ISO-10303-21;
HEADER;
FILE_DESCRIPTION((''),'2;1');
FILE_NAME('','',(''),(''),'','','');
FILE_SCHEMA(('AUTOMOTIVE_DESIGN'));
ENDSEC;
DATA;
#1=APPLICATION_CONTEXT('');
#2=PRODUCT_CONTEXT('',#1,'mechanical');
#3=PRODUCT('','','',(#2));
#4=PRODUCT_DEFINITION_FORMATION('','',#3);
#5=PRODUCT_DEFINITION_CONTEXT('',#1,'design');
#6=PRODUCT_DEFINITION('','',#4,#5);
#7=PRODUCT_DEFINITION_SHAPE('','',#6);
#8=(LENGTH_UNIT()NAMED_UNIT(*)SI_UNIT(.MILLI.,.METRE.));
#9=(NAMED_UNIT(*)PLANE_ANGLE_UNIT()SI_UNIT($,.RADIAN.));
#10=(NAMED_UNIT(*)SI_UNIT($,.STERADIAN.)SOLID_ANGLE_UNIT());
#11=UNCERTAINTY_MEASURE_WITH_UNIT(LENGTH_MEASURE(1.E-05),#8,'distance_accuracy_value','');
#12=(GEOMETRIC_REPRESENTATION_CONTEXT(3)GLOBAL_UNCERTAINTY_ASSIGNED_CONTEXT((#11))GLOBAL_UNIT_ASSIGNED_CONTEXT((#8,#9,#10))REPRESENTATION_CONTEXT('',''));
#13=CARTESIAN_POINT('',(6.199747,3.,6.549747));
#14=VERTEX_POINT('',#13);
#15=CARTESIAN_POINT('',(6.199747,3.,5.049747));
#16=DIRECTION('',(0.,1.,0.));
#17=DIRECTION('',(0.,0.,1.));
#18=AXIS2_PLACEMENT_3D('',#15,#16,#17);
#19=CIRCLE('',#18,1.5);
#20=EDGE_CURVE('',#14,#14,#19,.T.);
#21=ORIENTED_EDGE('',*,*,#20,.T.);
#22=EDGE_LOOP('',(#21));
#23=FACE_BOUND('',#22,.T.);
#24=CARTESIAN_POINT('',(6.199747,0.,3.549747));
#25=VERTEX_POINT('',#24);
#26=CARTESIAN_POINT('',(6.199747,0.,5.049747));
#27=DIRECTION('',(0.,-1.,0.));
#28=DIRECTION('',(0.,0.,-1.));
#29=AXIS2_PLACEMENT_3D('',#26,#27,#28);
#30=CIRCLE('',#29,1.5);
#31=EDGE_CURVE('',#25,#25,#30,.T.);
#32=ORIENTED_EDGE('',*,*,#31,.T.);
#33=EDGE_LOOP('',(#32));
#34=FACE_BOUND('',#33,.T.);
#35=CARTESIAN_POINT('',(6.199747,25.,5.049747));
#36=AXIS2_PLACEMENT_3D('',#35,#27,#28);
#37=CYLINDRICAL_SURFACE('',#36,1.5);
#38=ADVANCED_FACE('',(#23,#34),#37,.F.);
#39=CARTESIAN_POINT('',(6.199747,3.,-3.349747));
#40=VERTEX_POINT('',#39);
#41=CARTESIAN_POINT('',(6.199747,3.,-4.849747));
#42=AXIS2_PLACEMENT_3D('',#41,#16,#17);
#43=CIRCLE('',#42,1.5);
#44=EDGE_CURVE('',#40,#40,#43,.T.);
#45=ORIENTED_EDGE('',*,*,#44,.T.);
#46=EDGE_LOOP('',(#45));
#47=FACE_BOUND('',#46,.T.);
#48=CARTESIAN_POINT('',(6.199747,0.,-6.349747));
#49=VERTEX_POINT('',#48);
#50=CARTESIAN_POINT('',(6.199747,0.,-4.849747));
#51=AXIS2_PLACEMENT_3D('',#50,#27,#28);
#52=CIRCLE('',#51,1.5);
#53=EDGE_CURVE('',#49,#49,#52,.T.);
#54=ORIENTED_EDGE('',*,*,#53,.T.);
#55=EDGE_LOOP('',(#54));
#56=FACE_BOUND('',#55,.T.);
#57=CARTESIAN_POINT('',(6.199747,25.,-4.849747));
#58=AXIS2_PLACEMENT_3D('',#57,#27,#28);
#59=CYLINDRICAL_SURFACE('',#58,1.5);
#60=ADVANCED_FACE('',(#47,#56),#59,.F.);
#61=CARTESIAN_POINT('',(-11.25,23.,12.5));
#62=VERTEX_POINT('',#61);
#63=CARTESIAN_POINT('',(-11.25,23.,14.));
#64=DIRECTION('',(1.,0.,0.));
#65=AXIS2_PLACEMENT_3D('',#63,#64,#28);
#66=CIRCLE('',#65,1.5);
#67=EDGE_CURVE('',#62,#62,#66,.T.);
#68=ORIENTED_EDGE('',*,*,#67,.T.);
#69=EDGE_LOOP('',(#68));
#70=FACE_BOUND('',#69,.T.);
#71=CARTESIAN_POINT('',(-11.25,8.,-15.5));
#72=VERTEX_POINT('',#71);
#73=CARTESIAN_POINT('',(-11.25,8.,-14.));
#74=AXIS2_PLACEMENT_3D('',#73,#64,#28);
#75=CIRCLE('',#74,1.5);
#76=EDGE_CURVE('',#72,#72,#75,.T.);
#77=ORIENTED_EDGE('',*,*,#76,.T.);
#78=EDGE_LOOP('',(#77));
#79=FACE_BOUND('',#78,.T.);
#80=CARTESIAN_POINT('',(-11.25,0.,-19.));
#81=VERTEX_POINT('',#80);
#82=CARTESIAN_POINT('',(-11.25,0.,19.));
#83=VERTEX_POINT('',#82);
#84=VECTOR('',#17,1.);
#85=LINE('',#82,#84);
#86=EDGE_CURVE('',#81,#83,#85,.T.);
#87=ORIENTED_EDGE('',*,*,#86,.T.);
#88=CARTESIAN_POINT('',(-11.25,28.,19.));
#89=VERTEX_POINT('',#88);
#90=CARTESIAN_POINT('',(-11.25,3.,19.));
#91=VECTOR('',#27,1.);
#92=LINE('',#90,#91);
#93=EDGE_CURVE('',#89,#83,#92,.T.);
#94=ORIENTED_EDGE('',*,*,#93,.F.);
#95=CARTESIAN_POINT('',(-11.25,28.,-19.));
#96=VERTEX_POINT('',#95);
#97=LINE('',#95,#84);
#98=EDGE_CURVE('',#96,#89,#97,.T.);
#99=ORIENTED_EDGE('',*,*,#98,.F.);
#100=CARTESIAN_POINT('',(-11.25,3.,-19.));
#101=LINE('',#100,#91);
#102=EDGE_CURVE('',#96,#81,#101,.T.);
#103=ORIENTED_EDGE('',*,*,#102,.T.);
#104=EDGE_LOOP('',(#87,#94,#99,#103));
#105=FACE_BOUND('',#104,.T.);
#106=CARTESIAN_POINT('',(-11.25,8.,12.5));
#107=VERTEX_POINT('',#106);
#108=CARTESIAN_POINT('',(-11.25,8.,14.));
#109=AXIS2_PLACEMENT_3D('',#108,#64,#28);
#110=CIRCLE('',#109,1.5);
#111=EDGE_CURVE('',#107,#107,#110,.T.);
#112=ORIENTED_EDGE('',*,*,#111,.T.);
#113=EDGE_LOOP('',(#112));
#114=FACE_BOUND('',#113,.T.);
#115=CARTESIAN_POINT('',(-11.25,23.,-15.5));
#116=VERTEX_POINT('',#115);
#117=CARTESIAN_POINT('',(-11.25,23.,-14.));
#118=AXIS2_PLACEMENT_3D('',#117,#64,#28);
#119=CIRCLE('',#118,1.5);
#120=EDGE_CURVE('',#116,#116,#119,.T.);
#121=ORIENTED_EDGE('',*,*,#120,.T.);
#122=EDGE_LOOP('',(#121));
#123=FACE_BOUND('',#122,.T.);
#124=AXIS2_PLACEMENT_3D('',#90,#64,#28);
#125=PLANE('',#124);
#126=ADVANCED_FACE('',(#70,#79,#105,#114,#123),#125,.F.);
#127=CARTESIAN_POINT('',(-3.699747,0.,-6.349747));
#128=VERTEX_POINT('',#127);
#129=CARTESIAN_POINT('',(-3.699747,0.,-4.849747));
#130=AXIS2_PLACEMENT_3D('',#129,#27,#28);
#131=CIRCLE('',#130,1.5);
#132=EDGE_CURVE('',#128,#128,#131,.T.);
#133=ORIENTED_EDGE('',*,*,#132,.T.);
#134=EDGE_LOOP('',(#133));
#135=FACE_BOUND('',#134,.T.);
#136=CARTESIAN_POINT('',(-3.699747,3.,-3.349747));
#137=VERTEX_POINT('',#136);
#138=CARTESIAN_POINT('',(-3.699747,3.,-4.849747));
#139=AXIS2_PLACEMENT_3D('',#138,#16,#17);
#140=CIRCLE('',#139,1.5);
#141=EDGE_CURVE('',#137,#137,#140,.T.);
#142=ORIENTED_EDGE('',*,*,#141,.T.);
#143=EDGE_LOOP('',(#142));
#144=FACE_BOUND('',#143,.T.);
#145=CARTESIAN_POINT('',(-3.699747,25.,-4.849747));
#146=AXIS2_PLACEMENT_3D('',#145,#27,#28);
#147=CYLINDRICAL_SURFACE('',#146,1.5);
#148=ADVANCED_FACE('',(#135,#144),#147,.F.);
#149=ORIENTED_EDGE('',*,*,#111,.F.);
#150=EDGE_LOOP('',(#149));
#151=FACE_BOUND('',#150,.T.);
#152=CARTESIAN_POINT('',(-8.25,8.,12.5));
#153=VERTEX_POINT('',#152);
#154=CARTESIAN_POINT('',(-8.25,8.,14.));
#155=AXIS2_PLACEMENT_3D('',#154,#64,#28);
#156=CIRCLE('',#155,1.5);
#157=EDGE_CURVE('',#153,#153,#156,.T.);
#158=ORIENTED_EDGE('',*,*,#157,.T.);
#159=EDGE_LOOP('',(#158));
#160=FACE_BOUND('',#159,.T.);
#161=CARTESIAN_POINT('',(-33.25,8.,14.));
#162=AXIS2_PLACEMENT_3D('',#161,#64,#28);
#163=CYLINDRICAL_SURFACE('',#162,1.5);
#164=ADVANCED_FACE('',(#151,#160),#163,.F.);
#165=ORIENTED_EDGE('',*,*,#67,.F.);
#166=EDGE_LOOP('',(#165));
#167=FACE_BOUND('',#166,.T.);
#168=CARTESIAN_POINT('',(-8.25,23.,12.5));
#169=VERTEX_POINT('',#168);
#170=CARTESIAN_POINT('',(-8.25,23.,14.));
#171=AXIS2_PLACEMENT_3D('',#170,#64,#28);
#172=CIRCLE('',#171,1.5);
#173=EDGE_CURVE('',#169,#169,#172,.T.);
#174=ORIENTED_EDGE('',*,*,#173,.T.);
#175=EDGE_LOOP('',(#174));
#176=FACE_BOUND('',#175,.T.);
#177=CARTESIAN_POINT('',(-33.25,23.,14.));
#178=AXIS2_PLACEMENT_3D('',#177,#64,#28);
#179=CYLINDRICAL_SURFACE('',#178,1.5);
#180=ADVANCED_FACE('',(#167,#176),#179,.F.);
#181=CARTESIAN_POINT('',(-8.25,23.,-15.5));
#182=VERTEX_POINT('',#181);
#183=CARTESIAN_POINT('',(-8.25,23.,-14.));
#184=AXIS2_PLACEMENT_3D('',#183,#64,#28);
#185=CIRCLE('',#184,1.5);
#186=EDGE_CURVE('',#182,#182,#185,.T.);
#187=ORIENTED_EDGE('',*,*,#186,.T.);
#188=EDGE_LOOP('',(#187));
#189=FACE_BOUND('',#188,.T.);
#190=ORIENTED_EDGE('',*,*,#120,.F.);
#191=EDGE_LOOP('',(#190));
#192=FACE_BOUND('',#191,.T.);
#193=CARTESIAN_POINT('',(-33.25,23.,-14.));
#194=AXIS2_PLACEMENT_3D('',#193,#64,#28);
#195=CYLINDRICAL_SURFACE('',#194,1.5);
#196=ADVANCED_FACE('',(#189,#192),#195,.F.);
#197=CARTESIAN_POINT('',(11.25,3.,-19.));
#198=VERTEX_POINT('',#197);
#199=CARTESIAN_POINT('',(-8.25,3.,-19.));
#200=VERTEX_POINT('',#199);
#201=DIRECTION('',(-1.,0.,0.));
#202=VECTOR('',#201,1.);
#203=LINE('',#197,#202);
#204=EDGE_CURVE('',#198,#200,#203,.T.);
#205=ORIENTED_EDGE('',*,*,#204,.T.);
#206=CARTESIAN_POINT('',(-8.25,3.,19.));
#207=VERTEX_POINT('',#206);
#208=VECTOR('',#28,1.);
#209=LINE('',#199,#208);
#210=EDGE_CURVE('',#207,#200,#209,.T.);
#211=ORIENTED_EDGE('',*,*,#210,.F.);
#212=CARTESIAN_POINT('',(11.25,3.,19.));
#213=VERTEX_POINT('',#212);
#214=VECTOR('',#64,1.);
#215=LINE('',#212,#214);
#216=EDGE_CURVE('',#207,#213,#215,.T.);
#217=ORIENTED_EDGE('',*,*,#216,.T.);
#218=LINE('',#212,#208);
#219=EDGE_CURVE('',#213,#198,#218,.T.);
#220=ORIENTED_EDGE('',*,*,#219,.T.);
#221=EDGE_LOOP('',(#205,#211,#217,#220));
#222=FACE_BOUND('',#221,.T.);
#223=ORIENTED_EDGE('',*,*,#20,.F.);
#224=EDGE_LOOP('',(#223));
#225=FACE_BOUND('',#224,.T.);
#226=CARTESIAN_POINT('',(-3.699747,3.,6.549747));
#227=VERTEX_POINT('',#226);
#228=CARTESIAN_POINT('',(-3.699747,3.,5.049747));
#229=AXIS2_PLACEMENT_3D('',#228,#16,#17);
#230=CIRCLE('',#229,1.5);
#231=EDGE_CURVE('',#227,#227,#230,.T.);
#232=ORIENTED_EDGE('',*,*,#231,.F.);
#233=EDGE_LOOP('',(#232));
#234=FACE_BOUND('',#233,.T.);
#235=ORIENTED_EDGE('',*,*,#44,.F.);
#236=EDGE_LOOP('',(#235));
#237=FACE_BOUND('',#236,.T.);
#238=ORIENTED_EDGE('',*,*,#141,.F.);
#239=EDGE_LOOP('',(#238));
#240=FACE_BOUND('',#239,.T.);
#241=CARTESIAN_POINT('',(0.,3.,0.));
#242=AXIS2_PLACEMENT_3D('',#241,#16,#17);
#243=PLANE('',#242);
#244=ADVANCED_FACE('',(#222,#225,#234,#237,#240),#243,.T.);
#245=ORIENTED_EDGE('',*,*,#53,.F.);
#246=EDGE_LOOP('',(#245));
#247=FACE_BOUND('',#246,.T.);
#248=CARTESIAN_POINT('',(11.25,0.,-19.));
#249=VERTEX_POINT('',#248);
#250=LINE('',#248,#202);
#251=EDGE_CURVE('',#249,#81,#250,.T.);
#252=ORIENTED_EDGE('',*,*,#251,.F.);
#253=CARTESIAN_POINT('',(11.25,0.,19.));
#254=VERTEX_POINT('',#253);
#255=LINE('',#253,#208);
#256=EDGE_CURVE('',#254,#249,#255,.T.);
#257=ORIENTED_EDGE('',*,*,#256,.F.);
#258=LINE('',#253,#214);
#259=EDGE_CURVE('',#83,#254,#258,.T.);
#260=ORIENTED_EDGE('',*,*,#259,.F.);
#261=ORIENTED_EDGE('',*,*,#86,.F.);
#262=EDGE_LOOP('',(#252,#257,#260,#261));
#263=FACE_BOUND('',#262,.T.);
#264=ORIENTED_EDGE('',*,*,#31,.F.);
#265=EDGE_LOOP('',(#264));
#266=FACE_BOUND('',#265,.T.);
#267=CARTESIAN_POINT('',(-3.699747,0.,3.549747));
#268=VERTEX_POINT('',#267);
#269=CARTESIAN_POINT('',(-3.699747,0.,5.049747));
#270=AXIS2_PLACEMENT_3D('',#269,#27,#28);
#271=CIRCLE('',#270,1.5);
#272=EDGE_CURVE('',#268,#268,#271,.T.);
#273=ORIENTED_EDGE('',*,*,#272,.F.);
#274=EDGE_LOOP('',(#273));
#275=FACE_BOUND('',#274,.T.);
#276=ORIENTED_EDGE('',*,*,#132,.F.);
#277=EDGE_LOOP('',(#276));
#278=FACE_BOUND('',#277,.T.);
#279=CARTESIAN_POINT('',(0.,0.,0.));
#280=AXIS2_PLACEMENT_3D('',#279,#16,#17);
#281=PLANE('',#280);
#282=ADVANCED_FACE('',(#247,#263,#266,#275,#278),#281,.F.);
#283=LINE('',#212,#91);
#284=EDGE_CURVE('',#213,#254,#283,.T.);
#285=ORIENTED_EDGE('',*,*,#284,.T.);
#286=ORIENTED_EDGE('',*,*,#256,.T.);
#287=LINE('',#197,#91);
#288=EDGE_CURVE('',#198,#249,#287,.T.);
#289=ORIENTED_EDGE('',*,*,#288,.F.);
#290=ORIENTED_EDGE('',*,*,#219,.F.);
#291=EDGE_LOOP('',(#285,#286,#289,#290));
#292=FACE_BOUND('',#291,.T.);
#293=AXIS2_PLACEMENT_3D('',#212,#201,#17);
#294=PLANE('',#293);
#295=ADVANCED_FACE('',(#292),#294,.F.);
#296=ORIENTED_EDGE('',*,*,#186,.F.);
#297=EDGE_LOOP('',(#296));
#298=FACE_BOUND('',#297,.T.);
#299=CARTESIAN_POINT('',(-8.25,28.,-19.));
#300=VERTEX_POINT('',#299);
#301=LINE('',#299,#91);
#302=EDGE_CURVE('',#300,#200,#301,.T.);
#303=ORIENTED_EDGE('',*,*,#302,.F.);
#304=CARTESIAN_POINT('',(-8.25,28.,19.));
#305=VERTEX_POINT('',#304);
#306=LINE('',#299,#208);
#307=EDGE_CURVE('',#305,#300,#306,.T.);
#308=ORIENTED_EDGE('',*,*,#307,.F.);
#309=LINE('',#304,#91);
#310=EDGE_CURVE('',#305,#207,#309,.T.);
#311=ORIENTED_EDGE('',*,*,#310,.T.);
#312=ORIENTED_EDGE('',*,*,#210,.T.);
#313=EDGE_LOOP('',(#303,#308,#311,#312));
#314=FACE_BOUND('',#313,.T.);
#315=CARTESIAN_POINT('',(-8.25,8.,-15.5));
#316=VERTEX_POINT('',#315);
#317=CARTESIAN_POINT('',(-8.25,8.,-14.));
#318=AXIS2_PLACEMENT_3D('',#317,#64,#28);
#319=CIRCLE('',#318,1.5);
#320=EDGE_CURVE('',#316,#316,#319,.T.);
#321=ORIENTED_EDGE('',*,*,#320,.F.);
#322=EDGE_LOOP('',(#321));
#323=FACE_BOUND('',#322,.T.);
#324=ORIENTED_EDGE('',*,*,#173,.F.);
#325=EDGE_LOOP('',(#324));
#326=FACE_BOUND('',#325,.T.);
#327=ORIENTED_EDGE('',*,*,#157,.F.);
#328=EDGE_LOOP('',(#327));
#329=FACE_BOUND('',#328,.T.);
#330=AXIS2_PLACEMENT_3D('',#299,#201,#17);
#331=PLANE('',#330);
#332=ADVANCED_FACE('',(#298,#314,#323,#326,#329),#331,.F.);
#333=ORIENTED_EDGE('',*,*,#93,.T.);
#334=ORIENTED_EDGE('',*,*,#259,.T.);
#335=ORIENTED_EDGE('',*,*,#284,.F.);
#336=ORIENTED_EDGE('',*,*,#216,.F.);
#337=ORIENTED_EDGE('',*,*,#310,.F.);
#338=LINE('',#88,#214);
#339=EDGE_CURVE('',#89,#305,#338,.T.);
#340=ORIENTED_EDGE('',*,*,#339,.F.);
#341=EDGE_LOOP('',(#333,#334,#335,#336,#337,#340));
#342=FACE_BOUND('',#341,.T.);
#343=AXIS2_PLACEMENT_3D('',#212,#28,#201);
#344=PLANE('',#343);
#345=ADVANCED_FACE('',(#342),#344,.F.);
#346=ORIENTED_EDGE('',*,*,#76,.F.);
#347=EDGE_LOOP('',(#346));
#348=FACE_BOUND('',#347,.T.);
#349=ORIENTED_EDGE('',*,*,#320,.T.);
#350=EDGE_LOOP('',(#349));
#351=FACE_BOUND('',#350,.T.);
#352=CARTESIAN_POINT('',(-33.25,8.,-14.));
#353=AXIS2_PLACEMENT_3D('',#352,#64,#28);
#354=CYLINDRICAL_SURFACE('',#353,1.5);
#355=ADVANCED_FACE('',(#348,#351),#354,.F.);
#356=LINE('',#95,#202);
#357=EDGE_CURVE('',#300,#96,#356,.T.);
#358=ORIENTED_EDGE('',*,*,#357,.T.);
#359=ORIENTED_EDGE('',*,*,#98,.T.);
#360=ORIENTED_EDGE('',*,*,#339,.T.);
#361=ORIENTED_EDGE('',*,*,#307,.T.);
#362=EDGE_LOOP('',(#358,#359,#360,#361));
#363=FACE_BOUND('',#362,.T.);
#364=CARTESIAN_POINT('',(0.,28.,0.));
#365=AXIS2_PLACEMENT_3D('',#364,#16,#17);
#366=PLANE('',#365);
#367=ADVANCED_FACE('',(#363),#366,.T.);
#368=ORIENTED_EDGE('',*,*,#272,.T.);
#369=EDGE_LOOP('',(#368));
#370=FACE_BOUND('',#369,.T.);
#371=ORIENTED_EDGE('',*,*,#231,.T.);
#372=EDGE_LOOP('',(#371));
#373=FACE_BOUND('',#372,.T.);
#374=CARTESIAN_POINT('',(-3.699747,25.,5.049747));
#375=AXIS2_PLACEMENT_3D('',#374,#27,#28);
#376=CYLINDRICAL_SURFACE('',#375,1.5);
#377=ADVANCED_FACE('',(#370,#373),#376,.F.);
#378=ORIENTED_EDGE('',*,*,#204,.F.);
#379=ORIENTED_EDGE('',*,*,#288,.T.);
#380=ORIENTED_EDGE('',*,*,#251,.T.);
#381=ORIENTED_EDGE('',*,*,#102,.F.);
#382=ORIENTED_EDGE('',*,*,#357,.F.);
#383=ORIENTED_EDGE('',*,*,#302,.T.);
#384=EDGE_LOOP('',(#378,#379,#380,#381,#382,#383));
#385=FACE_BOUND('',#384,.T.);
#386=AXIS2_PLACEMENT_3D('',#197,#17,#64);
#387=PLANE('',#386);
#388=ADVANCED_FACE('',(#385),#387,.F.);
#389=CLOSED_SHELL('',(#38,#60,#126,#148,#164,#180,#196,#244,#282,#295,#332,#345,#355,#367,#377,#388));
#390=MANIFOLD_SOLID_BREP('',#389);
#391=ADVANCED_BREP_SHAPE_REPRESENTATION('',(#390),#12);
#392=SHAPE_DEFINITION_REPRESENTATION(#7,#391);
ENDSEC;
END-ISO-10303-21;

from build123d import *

# Parameters (mm, degrees)
SKETCH_1_W          = 22.5
SKETCH_1_H          = 38
EXTRUDE_1_DEPTH     = 3
SKETCH_2_W          = 3
SKETCH_2_H          = 38
EXTRUDE_2_DEPTH     = 25
SKETCH_3_R          = 1.5
CUT_EXTRUDE_2_DEPTH = 25
SKETCH_4_R          = 1.5
CUT_EXTRUDE_3_DEPTH = 25


with BuildPart() as part:
    # 草图1 → 凸台-拉伸1 (new body)
    with BuildSketch(Plane(origin=(0, 0, 0), x_dir=(1, 0, 0), z_dir=(0, 1, 0))):
        Rectangle(SKETCH_1_W, SKETCH_1_H)
    extrude(amount=EXTRUDE_1_DEPTH)

    # 草图2 → 凸台-拉伸2 (add)
    with BuildSketch(Plane(origin=(0, 3, 0), x_dir=(1, 0, 0), z_dir=(0, 1, 0))):
        with Locations((-9.75, 0)):
            Rectangle(SKETCH_2_W, SKETCH_2_H)
    extrude(amount=EXTRUDE_2_DEPTH)

    # 草图3 → 切除-拉伸2 (cut)
    with BuildSketch(Plane.XZ):
        with Locations(Location((-3.699747468, 5.049747468, 0), (0, 0, 270))):
            Circle(SKETCH_3_R)
        with Locations(Location((6.199747468, 5.049747468, 0), (0, 0, 270))):
            Circle(SKETCH_3_R)
        with Locations(Location((-3.699747468, -4.849747468, 0), (0, 0, 270))):
            Circle(SKETCH_3_R)
        with Locations(Location((6.199747468, -4.849747468, 0), (0, 0, 270))):
            Circle(SKETCH_3_R)
    extrude(amount=-CUT_EXTRUDE_2_DEPTH, mode=Mode.SUBTRACT)

    # 草图4 → 切除-拉伸3 (cut)
    with BuildSketch(Plane(origin=(-8.25, 0, 0), x_dir=(0, 0, -1), z_dir=(1, 0, 0))):
        with Locations((14, 23)):
            Circle(SKETCH_4_R)
        with Locations((-14, 23)):
            Circle(SKETCH_4_R)
        with Locations((-14, 8)):
            Circle(SKETCH_4_R)
        with Locations((14, 8)):
            Circle(SKETCH_4_R)
    extrude(amount=-CUT_EXTRUDE_3_DEPTH, mode=Mode.SUBTRACT)


solid = part.part
